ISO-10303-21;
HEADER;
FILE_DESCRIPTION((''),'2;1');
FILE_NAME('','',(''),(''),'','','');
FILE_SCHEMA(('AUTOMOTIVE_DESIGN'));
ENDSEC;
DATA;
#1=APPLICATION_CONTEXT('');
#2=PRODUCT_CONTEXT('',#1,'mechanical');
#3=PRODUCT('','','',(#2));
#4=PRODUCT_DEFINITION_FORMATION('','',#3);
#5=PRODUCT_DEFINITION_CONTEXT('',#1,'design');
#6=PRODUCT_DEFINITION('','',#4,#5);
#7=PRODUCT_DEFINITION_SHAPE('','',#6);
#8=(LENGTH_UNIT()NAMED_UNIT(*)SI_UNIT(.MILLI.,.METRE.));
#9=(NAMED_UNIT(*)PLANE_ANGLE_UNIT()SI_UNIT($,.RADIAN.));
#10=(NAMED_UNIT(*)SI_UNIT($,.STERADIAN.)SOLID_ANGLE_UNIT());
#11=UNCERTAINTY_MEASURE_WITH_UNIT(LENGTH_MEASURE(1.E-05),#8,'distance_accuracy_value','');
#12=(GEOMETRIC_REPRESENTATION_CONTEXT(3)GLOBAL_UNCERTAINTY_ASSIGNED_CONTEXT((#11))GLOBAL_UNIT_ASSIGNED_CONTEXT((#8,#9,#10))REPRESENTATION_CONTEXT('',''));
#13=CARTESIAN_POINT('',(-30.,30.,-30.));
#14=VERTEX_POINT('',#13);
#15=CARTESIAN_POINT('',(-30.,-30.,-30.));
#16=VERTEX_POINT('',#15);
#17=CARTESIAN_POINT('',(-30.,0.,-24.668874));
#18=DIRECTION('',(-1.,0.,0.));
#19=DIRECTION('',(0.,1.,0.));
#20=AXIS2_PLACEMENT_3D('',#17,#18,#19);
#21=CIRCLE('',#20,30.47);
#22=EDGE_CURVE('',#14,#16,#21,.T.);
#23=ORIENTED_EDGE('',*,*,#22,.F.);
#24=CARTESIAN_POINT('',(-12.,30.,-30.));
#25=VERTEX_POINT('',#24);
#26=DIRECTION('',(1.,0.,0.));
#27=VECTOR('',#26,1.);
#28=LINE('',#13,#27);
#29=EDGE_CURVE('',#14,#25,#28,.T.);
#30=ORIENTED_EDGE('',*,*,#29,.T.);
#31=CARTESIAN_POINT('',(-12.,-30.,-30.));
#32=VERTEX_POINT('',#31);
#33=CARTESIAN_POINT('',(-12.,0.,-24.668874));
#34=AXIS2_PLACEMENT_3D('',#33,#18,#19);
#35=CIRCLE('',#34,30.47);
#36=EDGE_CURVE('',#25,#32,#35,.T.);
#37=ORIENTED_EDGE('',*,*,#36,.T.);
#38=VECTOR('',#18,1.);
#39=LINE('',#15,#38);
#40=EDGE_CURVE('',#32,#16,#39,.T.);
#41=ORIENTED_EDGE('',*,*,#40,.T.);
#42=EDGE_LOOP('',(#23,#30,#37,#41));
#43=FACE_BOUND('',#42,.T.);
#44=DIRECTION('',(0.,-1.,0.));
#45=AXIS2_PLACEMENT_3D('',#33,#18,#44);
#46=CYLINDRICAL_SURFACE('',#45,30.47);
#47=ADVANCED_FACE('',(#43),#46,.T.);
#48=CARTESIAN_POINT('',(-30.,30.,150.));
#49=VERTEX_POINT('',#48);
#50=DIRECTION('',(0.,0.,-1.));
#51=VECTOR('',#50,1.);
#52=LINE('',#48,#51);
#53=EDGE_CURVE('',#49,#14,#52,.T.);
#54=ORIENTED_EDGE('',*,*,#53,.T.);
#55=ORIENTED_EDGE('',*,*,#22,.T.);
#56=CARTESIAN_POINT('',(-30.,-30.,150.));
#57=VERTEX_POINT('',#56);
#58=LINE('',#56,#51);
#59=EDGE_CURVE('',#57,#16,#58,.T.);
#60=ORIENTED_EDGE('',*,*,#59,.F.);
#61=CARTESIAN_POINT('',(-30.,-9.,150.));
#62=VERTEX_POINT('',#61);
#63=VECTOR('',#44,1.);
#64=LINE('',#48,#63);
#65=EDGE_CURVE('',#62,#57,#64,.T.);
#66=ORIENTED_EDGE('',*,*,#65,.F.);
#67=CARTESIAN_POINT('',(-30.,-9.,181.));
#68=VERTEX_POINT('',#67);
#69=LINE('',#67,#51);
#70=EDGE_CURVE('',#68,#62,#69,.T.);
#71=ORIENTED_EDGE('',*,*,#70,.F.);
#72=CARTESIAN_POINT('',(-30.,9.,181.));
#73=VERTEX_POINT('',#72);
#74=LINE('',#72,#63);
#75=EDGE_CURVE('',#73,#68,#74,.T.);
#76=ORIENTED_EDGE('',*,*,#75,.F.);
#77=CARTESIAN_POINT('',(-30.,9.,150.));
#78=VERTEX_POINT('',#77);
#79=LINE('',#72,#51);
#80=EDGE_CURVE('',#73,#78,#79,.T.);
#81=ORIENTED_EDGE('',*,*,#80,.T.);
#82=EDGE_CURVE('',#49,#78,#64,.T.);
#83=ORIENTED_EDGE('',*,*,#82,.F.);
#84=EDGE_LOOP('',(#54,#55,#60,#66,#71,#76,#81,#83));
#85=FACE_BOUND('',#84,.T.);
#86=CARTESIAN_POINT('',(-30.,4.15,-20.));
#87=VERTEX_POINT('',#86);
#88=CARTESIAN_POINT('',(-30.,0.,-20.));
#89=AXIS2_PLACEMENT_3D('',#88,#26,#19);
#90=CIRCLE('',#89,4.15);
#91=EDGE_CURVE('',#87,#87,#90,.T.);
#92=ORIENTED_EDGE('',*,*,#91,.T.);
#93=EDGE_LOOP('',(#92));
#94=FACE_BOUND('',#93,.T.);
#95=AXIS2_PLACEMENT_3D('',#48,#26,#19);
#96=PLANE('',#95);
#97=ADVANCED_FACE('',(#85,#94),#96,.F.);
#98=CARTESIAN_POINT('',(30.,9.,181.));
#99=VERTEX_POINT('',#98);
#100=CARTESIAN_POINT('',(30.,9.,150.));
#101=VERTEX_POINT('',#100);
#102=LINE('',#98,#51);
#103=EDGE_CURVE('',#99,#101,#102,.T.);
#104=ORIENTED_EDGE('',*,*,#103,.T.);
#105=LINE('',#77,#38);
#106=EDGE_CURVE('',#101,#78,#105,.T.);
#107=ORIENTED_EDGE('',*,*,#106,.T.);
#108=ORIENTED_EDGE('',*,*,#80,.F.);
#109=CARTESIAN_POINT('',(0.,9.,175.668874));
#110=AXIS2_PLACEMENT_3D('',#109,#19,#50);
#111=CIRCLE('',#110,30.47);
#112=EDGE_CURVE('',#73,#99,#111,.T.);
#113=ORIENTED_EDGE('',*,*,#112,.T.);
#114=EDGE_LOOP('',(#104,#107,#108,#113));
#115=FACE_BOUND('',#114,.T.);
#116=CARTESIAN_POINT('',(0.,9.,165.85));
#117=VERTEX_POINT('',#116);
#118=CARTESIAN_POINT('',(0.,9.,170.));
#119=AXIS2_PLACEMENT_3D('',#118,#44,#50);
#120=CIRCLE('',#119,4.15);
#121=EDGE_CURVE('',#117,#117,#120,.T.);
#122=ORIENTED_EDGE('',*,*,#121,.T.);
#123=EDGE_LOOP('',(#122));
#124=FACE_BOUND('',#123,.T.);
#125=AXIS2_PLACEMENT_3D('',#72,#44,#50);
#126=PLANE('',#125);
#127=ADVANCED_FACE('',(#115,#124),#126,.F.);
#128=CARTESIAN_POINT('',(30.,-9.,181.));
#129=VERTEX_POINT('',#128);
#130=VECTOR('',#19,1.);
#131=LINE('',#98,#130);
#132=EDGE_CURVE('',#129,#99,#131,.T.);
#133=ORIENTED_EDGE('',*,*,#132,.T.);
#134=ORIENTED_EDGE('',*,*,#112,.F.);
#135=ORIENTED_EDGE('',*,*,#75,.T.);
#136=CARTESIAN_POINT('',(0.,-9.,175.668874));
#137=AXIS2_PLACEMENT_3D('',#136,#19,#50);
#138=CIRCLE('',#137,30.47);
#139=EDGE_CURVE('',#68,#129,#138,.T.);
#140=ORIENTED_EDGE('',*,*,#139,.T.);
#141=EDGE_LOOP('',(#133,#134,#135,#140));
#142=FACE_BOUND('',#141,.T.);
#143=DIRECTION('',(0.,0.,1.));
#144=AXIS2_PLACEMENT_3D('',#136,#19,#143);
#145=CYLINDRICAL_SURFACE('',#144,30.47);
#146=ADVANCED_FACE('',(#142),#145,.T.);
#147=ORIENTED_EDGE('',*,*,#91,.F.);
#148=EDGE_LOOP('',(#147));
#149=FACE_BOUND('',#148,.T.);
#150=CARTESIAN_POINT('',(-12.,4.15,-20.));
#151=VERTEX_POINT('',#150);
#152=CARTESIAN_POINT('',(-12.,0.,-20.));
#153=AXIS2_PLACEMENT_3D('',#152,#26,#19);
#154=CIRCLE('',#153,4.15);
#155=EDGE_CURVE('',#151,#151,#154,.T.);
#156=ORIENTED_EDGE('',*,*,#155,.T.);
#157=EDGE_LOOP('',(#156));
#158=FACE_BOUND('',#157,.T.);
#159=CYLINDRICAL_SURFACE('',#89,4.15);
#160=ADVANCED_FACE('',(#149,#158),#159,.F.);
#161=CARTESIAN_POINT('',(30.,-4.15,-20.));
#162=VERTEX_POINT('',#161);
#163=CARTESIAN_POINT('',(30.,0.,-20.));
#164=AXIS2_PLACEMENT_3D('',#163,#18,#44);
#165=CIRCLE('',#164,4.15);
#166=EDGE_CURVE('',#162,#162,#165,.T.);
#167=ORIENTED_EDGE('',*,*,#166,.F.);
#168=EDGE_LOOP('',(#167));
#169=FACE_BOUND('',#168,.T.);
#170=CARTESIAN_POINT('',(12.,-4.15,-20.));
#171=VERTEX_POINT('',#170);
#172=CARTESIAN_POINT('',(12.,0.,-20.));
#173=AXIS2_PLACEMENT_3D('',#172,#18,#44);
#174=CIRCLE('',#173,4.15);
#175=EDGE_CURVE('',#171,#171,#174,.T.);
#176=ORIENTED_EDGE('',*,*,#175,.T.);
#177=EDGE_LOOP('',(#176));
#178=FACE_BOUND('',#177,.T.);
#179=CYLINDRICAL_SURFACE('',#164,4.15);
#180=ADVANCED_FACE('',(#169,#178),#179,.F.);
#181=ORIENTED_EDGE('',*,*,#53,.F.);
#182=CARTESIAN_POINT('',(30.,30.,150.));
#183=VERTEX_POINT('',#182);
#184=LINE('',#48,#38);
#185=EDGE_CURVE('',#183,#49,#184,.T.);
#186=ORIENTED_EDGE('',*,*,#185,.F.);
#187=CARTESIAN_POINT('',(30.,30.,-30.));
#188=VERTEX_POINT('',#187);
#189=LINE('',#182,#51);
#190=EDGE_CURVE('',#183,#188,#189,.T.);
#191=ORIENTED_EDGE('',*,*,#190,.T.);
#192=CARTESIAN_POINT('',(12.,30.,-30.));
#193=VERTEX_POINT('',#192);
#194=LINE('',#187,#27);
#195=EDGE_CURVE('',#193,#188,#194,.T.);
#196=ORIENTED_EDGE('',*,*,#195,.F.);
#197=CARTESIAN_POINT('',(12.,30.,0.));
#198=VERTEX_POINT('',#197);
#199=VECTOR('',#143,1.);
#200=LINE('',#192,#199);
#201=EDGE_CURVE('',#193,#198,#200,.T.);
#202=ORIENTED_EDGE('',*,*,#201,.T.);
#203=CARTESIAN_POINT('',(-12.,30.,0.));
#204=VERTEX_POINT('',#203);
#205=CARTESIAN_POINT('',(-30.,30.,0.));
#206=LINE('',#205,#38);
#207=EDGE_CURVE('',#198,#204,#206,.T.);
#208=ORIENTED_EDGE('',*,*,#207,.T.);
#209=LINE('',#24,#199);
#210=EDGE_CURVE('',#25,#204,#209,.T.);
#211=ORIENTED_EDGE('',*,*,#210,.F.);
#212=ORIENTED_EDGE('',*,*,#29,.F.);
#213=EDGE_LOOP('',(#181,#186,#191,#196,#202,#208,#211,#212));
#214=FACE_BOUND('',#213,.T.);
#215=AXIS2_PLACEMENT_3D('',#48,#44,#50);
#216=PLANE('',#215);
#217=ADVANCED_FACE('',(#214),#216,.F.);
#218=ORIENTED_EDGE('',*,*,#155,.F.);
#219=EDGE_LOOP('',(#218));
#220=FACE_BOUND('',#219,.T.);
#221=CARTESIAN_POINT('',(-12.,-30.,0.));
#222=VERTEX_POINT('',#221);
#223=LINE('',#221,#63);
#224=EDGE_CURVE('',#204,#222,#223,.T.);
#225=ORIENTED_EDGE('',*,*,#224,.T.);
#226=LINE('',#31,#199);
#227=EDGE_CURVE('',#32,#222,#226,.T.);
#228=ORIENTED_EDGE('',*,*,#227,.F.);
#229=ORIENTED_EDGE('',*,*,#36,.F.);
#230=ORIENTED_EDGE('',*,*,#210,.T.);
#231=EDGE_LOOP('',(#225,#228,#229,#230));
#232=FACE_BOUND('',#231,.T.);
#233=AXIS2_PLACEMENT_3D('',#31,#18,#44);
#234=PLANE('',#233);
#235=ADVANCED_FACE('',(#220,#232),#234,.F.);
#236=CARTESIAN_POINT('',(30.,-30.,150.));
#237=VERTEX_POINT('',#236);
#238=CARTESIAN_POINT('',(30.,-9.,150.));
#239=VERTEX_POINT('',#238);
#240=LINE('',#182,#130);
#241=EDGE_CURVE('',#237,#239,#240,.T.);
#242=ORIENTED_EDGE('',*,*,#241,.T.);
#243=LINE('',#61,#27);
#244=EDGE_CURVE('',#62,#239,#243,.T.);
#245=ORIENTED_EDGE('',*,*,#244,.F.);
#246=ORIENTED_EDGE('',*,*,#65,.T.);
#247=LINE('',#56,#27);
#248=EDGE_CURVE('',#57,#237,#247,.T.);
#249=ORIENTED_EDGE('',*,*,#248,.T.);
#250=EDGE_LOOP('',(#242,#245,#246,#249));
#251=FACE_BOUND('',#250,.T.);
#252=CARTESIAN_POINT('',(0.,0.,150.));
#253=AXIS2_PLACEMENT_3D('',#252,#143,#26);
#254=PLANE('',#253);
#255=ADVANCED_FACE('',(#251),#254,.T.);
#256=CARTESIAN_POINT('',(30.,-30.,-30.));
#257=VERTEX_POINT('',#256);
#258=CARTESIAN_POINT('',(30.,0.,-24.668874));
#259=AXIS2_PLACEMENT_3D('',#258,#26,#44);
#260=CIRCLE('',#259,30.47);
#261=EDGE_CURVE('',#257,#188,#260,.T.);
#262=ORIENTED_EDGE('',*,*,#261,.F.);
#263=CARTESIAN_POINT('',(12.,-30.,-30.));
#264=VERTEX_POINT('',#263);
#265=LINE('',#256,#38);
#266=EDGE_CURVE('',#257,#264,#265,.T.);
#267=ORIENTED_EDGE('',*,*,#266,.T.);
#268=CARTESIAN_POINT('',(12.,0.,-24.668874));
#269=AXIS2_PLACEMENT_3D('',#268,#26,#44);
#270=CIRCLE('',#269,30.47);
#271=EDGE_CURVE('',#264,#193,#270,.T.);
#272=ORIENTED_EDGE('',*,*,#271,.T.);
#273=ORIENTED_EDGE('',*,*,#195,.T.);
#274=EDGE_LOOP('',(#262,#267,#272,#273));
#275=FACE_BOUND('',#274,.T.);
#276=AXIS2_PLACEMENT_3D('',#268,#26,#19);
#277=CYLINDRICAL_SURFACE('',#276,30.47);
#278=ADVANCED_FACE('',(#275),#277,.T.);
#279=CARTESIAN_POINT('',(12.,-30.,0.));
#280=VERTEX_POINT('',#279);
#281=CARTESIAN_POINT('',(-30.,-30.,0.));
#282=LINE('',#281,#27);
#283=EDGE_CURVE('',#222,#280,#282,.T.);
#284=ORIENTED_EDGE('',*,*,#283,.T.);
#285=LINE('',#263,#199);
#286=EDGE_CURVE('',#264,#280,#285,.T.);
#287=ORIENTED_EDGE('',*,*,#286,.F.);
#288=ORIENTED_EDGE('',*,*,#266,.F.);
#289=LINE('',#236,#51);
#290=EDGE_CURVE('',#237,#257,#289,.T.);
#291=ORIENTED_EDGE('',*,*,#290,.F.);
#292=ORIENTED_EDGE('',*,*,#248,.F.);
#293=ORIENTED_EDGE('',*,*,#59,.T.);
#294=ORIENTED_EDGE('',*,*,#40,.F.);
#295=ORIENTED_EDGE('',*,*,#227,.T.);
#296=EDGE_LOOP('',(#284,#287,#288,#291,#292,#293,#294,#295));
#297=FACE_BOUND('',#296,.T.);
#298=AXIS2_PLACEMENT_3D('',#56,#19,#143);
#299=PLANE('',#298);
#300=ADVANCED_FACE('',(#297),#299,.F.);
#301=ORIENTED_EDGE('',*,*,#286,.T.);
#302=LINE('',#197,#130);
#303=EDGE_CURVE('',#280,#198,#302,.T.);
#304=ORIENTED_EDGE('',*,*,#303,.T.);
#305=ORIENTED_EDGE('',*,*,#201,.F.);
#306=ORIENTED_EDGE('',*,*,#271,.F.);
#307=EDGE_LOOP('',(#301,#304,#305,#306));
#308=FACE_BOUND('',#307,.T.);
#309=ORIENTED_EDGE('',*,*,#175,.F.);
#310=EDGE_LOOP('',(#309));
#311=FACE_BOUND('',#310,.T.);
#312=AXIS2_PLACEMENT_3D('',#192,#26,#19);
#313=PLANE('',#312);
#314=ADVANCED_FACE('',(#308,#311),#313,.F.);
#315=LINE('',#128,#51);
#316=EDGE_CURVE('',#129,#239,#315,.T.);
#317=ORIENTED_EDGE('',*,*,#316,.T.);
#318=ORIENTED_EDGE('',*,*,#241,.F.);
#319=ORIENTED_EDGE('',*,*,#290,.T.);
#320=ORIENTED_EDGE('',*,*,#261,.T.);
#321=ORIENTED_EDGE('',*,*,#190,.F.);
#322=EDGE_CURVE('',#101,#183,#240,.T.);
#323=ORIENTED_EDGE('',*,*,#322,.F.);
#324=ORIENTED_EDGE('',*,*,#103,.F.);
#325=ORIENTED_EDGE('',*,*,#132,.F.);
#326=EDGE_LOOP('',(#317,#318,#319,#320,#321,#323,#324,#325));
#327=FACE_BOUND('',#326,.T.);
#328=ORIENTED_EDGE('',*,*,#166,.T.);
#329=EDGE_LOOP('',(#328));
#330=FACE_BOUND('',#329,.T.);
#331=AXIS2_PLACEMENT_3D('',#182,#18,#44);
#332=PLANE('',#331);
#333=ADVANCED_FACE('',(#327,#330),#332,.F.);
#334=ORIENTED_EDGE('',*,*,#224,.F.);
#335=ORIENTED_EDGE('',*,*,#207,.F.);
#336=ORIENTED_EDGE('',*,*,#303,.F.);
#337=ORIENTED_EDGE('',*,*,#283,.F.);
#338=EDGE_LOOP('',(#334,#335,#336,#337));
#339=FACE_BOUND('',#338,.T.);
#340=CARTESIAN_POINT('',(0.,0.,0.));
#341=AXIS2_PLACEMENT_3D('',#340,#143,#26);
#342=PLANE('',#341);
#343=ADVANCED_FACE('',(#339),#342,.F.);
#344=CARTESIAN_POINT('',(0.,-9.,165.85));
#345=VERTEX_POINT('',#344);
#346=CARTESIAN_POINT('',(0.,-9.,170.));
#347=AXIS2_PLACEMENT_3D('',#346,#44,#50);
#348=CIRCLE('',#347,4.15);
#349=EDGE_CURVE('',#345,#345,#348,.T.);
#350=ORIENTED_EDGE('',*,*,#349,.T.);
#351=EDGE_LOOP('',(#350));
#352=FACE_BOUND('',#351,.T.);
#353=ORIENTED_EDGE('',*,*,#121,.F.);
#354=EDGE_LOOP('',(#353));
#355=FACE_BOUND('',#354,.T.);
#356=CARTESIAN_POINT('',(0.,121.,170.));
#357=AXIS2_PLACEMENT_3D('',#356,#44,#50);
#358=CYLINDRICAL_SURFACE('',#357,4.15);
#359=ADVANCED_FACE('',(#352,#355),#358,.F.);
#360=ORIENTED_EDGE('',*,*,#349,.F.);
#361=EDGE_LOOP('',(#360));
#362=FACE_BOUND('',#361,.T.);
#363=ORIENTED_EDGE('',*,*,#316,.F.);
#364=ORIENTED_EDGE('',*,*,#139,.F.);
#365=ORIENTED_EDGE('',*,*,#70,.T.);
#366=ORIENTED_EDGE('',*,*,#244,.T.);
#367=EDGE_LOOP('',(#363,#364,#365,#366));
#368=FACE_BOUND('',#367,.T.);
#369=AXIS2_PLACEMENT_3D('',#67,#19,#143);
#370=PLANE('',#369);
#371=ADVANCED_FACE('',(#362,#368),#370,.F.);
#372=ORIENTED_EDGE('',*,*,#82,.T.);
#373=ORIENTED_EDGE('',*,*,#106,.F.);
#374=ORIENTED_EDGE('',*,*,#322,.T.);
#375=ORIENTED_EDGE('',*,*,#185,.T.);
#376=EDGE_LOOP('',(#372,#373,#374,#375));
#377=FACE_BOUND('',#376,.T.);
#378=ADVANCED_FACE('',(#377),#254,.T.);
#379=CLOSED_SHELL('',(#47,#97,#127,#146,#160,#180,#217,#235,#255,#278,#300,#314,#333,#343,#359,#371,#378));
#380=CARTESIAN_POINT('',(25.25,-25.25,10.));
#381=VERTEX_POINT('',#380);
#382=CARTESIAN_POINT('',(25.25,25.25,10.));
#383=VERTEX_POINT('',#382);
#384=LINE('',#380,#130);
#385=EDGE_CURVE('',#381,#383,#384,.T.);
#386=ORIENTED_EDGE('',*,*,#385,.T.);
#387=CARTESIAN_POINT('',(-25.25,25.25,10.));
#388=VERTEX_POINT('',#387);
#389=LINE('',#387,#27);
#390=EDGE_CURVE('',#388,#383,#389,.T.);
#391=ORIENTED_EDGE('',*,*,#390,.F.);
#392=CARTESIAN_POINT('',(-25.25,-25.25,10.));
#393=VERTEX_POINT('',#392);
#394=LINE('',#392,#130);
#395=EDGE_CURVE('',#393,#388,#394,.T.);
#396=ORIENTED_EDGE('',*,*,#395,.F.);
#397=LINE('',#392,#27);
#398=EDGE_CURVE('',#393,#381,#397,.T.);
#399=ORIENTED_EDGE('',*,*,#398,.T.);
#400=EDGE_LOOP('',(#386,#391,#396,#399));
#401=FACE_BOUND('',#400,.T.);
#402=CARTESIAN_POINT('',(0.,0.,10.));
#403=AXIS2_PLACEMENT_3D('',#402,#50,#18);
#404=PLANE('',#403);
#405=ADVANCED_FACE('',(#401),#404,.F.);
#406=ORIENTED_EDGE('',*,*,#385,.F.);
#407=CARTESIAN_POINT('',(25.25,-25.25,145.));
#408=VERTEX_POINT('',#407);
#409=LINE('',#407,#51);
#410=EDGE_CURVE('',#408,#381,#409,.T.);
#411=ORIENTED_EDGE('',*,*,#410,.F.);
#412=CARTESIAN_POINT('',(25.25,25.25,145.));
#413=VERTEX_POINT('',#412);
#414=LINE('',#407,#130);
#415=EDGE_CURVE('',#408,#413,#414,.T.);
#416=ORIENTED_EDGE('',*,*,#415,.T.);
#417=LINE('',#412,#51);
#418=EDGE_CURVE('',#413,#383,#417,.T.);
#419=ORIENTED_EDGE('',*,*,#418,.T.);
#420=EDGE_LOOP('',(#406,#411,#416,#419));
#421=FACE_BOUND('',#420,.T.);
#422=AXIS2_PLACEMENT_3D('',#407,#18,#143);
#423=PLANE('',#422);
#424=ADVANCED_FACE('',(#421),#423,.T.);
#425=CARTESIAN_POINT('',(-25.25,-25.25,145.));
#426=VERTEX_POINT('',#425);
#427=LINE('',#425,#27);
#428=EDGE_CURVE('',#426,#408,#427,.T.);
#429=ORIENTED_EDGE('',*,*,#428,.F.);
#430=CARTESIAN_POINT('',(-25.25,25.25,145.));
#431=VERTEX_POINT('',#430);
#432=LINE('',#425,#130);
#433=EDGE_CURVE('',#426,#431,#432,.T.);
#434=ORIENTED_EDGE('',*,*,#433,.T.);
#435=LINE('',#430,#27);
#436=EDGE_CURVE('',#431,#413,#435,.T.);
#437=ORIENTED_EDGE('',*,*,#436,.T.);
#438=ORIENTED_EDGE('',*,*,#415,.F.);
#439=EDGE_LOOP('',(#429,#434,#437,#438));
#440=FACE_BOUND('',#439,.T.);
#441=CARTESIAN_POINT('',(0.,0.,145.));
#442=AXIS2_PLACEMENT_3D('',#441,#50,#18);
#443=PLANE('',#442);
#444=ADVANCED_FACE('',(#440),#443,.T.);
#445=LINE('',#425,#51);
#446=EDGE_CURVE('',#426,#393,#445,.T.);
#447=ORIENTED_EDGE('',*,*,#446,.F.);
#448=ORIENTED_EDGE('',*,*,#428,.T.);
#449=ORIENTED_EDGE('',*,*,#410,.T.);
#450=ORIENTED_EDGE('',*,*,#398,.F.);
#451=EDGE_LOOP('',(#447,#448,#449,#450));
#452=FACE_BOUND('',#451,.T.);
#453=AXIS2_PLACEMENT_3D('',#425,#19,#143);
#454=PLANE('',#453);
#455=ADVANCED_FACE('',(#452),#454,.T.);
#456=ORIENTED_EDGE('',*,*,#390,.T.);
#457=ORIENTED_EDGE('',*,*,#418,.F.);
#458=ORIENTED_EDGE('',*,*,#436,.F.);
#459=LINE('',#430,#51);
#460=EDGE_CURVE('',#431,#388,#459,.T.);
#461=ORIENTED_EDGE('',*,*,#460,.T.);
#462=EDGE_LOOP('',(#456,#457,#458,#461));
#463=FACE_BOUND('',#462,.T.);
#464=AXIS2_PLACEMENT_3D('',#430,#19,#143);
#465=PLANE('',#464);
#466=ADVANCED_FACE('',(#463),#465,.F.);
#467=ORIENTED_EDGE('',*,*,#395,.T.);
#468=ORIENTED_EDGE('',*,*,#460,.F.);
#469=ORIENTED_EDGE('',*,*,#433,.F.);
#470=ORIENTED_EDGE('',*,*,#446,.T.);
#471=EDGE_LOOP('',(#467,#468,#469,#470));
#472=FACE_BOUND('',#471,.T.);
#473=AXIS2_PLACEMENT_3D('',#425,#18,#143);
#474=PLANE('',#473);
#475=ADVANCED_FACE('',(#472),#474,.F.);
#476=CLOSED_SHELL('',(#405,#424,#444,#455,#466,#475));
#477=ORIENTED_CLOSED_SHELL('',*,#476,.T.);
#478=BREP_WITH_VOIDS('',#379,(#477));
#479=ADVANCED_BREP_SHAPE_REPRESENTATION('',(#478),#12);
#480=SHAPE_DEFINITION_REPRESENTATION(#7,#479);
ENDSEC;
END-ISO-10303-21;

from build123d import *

# Parameters (mm, degrees)
SKETCH2_W               = 60
SKETCH2_H               = 60
BOSS_EXTRUDE1_DEPTH     = 150
SKETCH3_W               = 18
SKETCH3_H               = 60
BOSS_EXTRUDE2_DEPTH     = 30
BOSS_EXTRUDE3_DEPTH     = 18
BOSS_EXTRUDE4_START     = -18
BOSS_EXTRUDE4_DEPTH     = 18
SKETCH6_W               = 60
SKETCH6_H               = 18
BOSS_EXTRUDE5_DEPTH     = 31
BOSS_EXTRUDE6_DEPTH     = 18
CUT_EXTRUDE2_DEPTH      = 5
CUT_EXTRUDE2_DEPTH_BACK = 130
CUT_EXTRUDE2_START      = -10
SKETCH8_W               = 50.5
SKETCH8_H               = 50.5
SKETCH9_R               = 4.15
CUT_EXTRUDE3_DEPTH      = 130
SKETCH11_R              = 4.15
CUT_EXTRUDE4_DEPTH      = 213.502318917
SKETCH12_R              = 4.15
CUT_EXTRUDE5_DEPTH      = 213.502318917


with BuildPart() as part:
    # Sketch2 → Boss-Extrude1 (new body)
    with BuildSketch(Plane.XY):
        Rectangle(SKETCH2_W, SKETCH2_H)
    extrude(amount=BOSS_EXTRUDE1_DEPTH)

    # Sketch3 → Boss-Extrude2 (add)
    with BuildSketch(Plane(origin=(0, 0, 0), x_dir=(-1, 0, 0), z_dir=(0, 0, -1))):
        with Locations((21, 0)):
            Rectangle(SKETCH3_W, SKETCH3_H)
        with Locations((-21, 0)):
            Rectangle(SKETCH3_W, SKETCH3_H)
    extrude(amount=BOSS_EXTRUDE2_DEPTH)

    # Sketch4 → Boss-Extrude3 (add)
    with BuildSketch(Plane(origin=(30, 0, 0), x_dir=(0, 0, -1), z_dir=(1, 0, 0))):
        with BuildLine():
            Line((30, 30), (30, -30))
            ThreePointArc((30, -30), (55.138874415, 0), (30, 30))
        make_face()
    extrude(amount=-BOSS_EXTRUDE3_DEPTH)

    # Sketch5 → Boss-Extrude4 (add)
    with BuildSketch(Plane.ZY.offset(30).offset(BOSS_EXTRUDE4_START)):
        with BuildLine():
            Line((-30, -30), (-30, 30))
            ThreePointArc((-30, 30), (-55.138874415, 0), (-30, -30))
        make_face()
    extrude(amount=BOSS_EXTRUDE4_DEPTH)

    # Sketch6 → Boss-Extrude5 (add)
    with BuildSketch(Plane.XY.offset(150)):
        Rectangle(SKETCH6_W, SKETCH6_H)
    extrude(amount=BOSS_EXTRUDE5_DEPTH)

    # Sketch7 → Boss-Extrude6 (add)
    with BuildSketch(Plane(origin=(0, 9, 0), x_dir=(1, 0, 0), z_dir=(0, 1, 0))):
        with BuildLine():
            Line((30, -181), (-30, -181))
            ThreePointArc((-30, -181), (0, -206.138874415), (30, -181))
        make_face()
    extrude(amount=-BOSS_EXTRUDE6_DEPTH)

    # Sketch8 → Cut-Extrude2 (cut, two sides: drawn at the far end of the back side and taken through both)
    with BuildSketch(Plane.XY.offset(150).offset(CUT_EXTRUDE2_START - CUT_EXTRUDE2_DEPTH_BACK)):
        Rectangle(SKETCH8_W, SKETCH8_H)
    extrude(amount=CUT_EXTRUDE2_DEPTH + CUT_EXTRUDE2_DEPTH_BACK, mode=Mode.SUBTRACT)

    # Sketch9 → Cut-Extrude3 (cut)
    with BuildSketch(Plane(origin=(0, -9, 0), x_dir=(-1, 0, 0), z_dir=(0, -1, 0))):
        with Locations(Location((0, -170, 0), (0, 0, 90))):
            Circle(SKETCH9_R)
    extrude(amount=-CUT_EXTRUDE3_DEPTH, mode=Mode.SUBTRACT)

    # Sketch11 → Cut-Extrude4 (cut, through all)
    with BuildSketch(Plane.ZY.offset(-12)):
        with Locations(Location((-20, 0, 0), (0, 0, 270))):
            Circle(SKETCH11_R)
    extrude(amount=-CUT_EXTRUDE4_DEPTH, mode=Mode.SUBTRACT)

    # Sketch12 → Cut-Extrude5 (cut, through all)
    with BuildSketch(Plane(origin=(-12, 0, 0), x_dir=(0, 0, -1), z_dir=(1, 0, 0))):
        with Locations(Location((20, 0, 0), (0, 0, 270))):
            Circle(SKETCH12_R)
    extrude(amount=-CUT_EXTRUDE5_DEPTH, mode=Mode.SUBTRACT)


solid = part.part
